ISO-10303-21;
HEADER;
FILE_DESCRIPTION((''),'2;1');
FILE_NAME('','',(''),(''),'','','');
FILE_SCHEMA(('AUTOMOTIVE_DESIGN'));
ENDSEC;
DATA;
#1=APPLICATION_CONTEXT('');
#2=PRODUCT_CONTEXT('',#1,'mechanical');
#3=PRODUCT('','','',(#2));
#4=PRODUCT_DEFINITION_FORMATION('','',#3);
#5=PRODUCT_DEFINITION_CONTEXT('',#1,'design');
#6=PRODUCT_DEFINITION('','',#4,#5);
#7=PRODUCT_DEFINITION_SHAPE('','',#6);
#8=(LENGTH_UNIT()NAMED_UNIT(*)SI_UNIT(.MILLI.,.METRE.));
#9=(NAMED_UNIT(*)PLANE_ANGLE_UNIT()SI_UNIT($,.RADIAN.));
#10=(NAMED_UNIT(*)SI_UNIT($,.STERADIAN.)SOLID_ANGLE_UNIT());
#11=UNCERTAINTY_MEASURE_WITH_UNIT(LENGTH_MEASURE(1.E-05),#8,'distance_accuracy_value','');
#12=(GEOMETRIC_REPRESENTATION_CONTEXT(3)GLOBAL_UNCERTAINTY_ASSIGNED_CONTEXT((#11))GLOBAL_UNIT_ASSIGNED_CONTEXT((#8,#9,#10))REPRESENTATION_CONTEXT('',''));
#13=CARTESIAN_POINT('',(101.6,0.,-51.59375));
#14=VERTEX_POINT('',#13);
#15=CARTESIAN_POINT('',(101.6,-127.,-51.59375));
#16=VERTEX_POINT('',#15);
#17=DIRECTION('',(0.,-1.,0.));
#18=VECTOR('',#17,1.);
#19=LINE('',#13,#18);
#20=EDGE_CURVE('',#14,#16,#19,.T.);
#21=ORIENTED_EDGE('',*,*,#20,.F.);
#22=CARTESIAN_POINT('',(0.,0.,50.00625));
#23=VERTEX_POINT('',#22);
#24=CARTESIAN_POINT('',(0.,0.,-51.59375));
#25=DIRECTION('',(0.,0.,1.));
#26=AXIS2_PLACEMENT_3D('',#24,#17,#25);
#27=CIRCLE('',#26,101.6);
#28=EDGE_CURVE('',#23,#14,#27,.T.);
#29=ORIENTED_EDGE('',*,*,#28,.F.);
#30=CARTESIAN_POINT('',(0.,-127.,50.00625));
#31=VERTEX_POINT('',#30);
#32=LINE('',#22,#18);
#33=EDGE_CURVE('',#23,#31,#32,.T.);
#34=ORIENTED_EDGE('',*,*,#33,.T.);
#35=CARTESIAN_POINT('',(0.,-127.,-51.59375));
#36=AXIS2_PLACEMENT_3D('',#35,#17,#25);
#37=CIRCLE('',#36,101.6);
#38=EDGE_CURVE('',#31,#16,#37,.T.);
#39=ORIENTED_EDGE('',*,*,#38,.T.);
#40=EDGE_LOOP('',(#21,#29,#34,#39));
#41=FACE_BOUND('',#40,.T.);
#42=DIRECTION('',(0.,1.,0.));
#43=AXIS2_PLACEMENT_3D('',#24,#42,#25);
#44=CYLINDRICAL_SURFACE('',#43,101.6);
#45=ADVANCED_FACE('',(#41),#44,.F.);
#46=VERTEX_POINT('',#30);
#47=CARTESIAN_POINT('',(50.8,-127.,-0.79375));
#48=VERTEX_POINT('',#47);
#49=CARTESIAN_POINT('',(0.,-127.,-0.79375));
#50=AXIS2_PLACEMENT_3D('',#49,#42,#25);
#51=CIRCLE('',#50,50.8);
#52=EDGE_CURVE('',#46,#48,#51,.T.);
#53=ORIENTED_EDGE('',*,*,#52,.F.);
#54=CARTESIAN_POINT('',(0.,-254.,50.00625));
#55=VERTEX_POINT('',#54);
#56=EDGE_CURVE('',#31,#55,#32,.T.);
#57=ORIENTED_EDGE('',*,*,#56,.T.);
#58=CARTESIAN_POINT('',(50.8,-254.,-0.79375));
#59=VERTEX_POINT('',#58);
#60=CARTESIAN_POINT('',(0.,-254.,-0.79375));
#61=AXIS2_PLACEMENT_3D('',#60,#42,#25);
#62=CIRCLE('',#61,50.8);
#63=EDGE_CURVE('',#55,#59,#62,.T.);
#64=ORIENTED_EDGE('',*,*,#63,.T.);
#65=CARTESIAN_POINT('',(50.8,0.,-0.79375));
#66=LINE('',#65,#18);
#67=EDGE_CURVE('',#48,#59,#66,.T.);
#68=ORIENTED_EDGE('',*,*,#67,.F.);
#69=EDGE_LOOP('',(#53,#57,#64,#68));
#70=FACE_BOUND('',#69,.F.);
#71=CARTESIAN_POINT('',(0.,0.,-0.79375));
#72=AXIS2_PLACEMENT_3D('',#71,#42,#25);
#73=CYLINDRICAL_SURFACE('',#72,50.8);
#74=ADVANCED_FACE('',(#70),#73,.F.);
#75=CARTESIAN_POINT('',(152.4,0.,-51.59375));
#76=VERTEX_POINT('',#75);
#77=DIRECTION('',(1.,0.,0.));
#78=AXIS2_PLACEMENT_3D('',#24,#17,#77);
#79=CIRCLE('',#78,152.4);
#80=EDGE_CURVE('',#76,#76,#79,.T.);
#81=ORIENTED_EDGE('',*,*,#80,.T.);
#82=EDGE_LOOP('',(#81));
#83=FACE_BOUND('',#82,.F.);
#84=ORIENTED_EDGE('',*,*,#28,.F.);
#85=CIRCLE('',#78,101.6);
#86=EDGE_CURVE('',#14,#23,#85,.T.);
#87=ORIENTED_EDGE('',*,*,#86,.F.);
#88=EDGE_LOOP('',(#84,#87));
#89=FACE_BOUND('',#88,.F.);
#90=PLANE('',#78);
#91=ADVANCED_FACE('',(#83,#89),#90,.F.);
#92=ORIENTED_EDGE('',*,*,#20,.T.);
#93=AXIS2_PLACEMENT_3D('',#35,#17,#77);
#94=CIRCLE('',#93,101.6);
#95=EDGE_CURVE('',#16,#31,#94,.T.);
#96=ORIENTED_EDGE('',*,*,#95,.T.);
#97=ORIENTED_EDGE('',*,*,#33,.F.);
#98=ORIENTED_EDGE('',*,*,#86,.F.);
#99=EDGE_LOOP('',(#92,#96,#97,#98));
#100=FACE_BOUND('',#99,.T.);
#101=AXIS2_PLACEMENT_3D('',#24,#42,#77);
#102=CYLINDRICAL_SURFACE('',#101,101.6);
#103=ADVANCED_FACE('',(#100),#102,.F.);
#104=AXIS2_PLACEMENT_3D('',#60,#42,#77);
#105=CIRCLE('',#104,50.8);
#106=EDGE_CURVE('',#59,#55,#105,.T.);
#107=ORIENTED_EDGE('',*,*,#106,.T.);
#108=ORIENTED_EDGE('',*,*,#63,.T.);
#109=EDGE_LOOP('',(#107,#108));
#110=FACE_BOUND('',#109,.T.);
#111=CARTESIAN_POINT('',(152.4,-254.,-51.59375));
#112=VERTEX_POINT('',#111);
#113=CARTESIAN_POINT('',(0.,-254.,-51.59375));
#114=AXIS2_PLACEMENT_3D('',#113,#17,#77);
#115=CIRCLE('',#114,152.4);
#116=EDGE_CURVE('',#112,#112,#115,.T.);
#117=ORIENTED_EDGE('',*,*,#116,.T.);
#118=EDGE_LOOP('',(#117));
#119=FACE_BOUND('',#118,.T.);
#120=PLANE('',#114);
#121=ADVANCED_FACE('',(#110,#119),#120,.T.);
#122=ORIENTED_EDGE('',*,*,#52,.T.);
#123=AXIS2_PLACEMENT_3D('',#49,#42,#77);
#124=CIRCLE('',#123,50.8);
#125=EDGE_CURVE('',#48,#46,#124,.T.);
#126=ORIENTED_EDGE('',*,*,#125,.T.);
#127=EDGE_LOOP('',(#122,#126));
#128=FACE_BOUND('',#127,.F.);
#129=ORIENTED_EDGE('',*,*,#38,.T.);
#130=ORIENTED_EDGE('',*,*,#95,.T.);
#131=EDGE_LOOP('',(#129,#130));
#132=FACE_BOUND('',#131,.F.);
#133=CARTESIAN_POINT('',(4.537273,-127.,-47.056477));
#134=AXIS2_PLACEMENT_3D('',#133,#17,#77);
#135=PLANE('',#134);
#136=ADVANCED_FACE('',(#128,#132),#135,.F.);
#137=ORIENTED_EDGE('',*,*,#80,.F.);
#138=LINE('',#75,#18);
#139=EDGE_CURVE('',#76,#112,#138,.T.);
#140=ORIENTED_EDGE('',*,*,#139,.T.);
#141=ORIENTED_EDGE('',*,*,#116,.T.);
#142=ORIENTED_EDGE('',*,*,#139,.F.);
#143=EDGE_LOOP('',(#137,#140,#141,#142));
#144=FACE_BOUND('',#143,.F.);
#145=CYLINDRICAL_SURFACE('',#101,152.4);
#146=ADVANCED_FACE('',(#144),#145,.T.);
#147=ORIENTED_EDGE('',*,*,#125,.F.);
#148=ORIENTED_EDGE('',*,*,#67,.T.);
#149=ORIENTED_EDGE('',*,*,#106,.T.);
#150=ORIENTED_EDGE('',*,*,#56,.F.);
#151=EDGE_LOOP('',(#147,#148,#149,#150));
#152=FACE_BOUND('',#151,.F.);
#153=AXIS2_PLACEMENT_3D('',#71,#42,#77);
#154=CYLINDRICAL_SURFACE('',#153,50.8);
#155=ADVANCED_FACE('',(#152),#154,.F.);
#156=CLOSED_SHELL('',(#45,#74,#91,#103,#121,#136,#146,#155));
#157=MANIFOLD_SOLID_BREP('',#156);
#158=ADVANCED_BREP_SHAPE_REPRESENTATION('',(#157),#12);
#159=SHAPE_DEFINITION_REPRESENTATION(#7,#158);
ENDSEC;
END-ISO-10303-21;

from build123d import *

# Parameters (mm, degrees)
F0_R     = 152.4
F1_DEPTH = 254
F2_DEPTH = 127


with BuildPart() as f1:
    # F0 (on Front) → F1 (new body)
    with BuildSketch(Plane.XZ):
        with Locations((0, -51.59375)):
            Circle(F0_R)
        with BuildLine():
            ThreePointArc((101.6, -51.59375), (-71.8420489686, -123.4357989686), (0, 50.00625))
            ThreePointArc((0, 50.00625), (71.8420489686, 20.2482989686), (101.6, -51.59375))
        make_face(mode=Mode.SUBTRACT)
        with BuildLine():
            ThreePointArc((101.6, -51.59375), (71.8420489686, 20.2482989686), (0, 50.00625))
            ThreePointArc((0, 50.00625), (-71.8420489686, -123.4357989686), (101.6, -51.59375))
        make_face()
        with BuildLine():
            ThreePointArc((0, 50.00625), (35.9210244843, 35.1272744843), (50.8, -0.79375))
            ThreePointArc((50.8, -0.79375), (-35.9210244843, -36.7147744843), (0, 50.00625))
        make_face(mode=Mode.SUBTRACT)
    extrude(amount=F1_DEPTH)

    # F0 (on Front) → F2 (cut)
    with BuildSketch(Plane.XZ):
        with BuildLine():
            ThreePointArc((101.6, -51.59375), (71.8420489686, 20.2482989686), (0, 50.00625))
            ThreePointArc((0, 50.00625), (-71.8420489686, -123.4357989686), (101.6, -51.59375))
        make_face()
        with BuildLine():
            ThreePointArc((0, 50.00625), (35.9210244843, 35.1272744843), (50.8, -0.79375))
            ThreePointArc((50.8, -0.79375), (-35.9210244843, -36.7147744843), (0, 50.00625))
        make_face(mode=Mode.SUBTRACT)
        with BuildLine():
            ThreePointArc((0, 50.00625), (-35.9210244843, -36.7147744843), (50.8, -0.79375))
            ThreePointArc((50.8, -0.79375), (35.9210244843, 35.1272744843), (0, 50.00625))
        make_face()
        with BuildLine():
            ThreePointArc((1.5875, -0.79375), (-1.1225320151, -1.9162820151), (0, 0.79375))
            ThreePointArc((0, 0.79375), (1.1225320151, 0.3287820151), (1.5875, -0.79375))
        make_face(mode=Mode.SUBTRACT)
    extrude(amount=F2_DEPTH, mode=Mode.SUBTRACT)


solid = f1.part
